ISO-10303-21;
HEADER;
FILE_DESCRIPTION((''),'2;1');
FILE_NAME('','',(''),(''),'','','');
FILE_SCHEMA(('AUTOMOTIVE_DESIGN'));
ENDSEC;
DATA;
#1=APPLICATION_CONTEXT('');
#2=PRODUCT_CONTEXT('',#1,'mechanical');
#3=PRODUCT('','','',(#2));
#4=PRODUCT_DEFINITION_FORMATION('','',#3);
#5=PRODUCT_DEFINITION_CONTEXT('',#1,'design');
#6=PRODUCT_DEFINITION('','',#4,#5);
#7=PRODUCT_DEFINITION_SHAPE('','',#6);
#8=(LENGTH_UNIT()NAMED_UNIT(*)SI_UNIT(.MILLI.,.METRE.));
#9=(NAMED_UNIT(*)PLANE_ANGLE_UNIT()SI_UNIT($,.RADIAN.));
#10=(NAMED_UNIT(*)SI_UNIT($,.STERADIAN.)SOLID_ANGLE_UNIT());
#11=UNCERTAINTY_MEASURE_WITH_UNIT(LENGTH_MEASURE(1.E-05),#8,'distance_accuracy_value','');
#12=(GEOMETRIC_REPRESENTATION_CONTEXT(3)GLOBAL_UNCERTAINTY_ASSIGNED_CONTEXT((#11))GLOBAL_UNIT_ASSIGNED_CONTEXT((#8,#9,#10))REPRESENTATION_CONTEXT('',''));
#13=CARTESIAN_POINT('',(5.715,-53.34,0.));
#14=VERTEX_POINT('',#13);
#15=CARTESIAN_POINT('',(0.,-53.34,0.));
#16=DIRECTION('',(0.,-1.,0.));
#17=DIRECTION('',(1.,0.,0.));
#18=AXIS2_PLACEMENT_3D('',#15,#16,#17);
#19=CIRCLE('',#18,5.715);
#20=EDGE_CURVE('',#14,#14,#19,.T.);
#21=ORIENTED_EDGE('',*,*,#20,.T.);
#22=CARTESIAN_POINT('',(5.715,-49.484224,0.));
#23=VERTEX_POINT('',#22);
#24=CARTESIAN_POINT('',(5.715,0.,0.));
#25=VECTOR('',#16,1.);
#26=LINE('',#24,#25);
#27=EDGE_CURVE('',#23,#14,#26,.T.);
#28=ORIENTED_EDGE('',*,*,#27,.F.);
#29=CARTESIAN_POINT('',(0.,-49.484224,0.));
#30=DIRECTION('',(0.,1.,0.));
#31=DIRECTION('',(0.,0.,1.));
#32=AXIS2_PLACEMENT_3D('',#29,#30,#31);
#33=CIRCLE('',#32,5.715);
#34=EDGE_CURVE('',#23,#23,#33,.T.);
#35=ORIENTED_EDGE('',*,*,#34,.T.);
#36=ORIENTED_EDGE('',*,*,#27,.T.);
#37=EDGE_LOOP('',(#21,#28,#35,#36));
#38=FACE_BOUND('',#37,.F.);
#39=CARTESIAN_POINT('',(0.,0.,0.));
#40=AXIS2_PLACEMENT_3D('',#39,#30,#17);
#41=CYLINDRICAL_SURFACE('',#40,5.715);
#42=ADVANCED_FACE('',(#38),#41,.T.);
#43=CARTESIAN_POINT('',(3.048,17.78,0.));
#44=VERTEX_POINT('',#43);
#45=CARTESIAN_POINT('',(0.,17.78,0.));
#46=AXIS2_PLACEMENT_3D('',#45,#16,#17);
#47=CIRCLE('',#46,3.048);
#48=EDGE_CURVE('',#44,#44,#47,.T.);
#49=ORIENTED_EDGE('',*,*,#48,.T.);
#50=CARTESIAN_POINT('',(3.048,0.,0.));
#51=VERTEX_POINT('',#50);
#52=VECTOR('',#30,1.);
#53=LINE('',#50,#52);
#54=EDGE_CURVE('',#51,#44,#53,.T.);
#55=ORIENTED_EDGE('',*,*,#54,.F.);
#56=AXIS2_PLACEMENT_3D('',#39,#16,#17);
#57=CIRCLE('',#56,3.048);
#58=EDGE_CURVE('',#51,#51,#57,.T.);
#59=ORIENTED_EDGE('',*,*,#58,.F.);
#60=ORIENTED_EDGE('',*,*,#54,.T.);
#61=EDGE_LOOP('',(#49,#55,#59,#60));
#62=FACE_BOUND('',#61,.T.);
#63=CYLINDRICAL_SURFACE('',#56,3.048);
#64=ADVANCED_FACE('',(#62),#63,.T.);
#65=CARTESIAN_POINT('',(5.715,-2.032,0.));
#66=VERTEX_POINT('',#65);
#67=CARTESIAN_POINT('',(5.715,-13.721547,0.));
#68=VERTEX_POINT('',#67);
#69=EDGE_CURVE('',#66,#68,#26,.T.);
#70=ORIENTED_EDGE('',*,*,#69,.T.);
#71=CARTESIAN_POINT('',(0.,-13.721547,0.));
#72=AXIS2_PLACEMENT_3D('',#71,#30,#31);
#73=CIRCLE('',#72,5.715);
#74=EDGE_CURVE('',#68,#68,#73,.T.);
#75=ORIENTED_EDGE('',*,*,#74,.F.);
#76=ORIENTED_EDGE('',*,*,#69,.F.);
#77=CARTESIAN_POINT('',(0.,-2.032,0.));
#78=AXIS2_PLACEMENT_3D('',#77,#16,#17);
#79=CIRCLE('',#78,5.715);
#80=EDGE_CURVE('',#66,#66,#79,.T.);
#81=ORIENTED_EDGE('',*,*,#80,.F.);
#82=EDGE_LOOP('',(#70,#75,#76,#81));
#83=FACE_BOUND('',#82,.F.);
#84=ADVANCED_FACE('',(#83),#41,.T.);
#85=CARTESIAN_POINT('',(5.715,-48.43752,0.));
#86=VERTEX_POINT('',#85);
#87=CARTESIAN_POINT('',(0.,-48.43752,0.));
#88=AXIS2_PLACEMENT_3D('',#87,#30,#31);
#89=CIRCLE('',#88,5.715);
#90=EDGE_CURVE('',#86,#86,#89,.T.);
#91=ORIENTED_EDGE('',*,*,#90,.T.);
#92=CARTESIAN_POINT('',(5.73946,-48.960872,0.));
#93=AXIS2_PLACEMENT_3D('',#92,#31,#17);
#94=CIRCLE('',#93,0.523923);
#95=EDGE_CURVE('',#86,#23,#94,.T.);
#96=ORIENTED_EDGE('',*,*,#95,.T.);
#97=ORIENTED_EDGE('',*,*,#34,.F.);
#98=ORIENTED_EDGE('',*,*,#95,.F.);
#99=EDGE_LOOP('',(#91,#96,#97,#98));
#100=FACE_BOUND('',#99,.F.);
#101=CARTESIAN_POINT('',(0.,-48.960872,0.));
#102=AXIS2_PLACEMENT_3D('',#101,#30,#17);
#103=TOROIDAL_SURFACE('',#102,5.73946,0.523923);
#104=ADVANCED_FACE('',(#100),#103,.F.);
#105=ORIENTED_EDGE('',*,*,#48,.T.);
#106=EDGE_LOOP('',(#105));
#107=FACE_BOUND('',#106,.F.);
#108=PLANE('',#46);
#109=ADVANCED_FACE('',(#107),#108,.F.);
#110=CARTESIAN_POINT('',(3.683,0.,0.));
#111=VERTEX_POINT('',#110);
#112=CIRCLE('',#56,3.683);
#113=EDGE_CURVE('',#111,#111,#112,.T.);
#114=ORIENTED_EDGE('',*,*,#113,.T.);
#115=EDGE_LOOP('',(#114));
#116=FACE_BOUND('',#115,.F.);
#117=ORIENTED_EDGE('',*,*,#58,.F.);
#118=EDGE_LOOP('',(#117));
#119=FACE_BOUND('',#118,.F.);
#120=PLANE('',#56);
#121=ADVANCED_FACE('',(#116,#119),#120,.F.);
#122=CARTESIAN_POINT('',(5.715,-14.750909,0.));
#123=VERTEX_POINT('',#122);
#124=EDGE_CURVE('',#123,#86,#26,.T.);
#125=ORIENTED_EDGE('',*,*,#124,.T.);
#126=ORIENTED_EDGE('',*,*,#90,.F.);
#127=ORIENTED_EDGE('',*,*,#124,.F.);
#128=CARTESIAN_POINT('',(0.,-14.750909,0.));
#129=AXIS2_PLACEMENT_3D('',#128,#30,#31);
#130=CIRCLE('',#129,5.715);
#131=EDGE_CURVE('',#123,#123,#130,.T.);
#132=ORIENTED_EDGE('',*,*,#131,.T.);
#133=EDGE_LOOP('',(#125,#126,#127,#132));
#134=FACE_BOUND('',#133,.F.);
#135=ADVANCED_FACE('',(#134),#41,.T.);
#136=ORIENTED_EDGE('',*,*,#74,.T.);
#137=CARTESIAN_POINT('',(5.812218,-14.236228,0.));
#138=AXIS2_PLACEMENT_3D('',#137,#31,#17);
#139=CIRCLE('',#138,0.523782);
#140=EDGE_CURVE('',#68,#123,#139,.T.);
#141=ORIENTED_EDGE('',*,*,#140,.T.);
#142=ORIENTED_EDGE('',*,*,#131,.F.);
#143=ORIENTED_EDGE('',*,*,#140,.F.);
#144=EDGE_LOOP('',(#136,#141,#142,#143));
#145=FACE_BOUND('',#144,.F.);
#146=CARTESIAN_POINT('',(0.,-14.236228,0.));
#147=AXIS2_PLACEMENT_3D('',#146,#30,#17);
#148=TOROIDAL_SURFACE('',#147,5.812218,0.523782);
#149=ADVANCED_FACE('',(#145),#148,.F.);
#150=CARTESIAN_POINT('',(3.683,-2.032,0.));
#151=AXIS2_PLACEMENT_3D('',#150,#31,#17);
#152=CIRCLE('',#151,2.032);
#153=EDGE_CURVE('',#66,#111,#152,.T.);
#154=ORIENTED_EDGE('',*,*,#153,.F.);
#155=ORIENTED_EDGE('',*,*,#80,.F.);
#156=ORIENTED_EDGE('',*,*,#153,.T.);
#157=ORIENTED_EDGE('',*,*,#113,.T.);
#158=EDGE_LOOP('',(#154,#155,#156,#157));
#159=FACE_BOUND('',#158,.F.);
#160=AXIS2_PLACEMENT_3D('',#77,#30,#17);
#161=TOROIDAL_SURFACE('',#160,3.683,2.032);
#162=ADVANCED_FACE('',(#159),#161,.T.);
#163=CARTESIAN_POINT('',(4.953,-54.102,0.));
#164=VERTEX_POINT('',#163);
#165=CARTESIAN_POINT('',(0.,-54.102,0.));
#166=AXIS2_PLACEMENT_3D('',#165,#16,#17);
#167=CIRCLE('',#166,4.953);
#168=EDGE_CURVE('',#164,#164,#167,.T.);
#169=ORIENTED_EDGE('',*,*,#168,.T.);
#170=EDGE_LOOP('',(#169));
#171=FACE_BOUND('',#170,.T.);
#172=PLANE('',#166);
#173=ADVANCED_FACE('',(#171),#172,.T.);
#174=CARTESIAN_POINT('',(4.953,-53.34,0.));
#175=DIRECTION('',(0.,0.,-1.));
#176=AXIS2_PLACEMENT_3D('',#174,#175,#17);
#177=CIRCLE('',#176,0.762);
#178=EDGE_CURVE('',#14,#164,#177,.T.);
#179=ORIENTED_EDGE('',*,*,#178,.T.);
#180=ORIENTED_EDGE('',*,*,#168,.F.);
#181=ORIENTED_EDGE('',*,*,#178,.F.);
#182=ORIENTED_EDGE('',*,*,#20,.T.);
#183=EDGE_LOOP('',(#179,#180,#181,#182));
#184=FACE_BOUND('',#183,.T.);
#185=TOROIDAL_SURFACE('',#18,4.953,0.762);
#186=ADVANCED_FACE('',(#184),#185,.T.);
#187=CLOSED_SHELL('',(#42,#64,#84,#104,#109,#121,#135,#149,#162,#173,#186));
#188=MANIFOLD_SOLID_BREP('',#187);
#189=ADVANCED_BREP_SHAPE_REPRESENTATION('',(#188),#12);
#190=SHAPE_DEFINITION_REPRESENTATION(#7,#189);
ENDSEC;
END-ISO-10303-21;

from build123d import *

# Parameters (mm, degrees)
F0_R     = 5.715
F1_DEPTH = 54.102
F2_R     = 3.048
F3_DEPTH = 17.78
F4_R     = 2.032
F5_R     = 0.762
F6_R     = 0.523923
F6_R_2   = 0.523782


with BuildPart() as f1:
    # F0 (on Front) → F1 (new body)
    with BuildSketch(Plane.XZ):
        Circle(F0_R)
    extrude(amount=F1_DEPTH)

    # F2 (on Front) → F3 (join)
    with BuildSketch(Plane.XZ):
        Circle(F2_R)
    extrude(amount=-F3_DEPTH)

    # F4
    f4_edges = [f1.edges().sort_by_distance(p)[0] for p in [
        (-5.715, 0, 0),
    ]]
    fillet(f4_edges, radius=F4_R)

    # F5
    f5_edges = [f1.edges().sort_by_distance(p)[0] for p in [
        (-5.715, -54.102, 0),
    ]]
    fillet(f5_edges, radius=F5_R)

    # F6 (on Top) → F7 (revolve, cut)
    with BuildSketch(Plane.XY):
        with Locations((5.73946, -48.960872)):
            Circle(F6_R)
        with Locations((5.812218, -14.236228)):
            Circle(F6_R_2)
    revolve(axis=Axis((0, -36.495245, 0), (0, 1, 0)), mode=Mode.SUBTRACT)


solid = f1.part
